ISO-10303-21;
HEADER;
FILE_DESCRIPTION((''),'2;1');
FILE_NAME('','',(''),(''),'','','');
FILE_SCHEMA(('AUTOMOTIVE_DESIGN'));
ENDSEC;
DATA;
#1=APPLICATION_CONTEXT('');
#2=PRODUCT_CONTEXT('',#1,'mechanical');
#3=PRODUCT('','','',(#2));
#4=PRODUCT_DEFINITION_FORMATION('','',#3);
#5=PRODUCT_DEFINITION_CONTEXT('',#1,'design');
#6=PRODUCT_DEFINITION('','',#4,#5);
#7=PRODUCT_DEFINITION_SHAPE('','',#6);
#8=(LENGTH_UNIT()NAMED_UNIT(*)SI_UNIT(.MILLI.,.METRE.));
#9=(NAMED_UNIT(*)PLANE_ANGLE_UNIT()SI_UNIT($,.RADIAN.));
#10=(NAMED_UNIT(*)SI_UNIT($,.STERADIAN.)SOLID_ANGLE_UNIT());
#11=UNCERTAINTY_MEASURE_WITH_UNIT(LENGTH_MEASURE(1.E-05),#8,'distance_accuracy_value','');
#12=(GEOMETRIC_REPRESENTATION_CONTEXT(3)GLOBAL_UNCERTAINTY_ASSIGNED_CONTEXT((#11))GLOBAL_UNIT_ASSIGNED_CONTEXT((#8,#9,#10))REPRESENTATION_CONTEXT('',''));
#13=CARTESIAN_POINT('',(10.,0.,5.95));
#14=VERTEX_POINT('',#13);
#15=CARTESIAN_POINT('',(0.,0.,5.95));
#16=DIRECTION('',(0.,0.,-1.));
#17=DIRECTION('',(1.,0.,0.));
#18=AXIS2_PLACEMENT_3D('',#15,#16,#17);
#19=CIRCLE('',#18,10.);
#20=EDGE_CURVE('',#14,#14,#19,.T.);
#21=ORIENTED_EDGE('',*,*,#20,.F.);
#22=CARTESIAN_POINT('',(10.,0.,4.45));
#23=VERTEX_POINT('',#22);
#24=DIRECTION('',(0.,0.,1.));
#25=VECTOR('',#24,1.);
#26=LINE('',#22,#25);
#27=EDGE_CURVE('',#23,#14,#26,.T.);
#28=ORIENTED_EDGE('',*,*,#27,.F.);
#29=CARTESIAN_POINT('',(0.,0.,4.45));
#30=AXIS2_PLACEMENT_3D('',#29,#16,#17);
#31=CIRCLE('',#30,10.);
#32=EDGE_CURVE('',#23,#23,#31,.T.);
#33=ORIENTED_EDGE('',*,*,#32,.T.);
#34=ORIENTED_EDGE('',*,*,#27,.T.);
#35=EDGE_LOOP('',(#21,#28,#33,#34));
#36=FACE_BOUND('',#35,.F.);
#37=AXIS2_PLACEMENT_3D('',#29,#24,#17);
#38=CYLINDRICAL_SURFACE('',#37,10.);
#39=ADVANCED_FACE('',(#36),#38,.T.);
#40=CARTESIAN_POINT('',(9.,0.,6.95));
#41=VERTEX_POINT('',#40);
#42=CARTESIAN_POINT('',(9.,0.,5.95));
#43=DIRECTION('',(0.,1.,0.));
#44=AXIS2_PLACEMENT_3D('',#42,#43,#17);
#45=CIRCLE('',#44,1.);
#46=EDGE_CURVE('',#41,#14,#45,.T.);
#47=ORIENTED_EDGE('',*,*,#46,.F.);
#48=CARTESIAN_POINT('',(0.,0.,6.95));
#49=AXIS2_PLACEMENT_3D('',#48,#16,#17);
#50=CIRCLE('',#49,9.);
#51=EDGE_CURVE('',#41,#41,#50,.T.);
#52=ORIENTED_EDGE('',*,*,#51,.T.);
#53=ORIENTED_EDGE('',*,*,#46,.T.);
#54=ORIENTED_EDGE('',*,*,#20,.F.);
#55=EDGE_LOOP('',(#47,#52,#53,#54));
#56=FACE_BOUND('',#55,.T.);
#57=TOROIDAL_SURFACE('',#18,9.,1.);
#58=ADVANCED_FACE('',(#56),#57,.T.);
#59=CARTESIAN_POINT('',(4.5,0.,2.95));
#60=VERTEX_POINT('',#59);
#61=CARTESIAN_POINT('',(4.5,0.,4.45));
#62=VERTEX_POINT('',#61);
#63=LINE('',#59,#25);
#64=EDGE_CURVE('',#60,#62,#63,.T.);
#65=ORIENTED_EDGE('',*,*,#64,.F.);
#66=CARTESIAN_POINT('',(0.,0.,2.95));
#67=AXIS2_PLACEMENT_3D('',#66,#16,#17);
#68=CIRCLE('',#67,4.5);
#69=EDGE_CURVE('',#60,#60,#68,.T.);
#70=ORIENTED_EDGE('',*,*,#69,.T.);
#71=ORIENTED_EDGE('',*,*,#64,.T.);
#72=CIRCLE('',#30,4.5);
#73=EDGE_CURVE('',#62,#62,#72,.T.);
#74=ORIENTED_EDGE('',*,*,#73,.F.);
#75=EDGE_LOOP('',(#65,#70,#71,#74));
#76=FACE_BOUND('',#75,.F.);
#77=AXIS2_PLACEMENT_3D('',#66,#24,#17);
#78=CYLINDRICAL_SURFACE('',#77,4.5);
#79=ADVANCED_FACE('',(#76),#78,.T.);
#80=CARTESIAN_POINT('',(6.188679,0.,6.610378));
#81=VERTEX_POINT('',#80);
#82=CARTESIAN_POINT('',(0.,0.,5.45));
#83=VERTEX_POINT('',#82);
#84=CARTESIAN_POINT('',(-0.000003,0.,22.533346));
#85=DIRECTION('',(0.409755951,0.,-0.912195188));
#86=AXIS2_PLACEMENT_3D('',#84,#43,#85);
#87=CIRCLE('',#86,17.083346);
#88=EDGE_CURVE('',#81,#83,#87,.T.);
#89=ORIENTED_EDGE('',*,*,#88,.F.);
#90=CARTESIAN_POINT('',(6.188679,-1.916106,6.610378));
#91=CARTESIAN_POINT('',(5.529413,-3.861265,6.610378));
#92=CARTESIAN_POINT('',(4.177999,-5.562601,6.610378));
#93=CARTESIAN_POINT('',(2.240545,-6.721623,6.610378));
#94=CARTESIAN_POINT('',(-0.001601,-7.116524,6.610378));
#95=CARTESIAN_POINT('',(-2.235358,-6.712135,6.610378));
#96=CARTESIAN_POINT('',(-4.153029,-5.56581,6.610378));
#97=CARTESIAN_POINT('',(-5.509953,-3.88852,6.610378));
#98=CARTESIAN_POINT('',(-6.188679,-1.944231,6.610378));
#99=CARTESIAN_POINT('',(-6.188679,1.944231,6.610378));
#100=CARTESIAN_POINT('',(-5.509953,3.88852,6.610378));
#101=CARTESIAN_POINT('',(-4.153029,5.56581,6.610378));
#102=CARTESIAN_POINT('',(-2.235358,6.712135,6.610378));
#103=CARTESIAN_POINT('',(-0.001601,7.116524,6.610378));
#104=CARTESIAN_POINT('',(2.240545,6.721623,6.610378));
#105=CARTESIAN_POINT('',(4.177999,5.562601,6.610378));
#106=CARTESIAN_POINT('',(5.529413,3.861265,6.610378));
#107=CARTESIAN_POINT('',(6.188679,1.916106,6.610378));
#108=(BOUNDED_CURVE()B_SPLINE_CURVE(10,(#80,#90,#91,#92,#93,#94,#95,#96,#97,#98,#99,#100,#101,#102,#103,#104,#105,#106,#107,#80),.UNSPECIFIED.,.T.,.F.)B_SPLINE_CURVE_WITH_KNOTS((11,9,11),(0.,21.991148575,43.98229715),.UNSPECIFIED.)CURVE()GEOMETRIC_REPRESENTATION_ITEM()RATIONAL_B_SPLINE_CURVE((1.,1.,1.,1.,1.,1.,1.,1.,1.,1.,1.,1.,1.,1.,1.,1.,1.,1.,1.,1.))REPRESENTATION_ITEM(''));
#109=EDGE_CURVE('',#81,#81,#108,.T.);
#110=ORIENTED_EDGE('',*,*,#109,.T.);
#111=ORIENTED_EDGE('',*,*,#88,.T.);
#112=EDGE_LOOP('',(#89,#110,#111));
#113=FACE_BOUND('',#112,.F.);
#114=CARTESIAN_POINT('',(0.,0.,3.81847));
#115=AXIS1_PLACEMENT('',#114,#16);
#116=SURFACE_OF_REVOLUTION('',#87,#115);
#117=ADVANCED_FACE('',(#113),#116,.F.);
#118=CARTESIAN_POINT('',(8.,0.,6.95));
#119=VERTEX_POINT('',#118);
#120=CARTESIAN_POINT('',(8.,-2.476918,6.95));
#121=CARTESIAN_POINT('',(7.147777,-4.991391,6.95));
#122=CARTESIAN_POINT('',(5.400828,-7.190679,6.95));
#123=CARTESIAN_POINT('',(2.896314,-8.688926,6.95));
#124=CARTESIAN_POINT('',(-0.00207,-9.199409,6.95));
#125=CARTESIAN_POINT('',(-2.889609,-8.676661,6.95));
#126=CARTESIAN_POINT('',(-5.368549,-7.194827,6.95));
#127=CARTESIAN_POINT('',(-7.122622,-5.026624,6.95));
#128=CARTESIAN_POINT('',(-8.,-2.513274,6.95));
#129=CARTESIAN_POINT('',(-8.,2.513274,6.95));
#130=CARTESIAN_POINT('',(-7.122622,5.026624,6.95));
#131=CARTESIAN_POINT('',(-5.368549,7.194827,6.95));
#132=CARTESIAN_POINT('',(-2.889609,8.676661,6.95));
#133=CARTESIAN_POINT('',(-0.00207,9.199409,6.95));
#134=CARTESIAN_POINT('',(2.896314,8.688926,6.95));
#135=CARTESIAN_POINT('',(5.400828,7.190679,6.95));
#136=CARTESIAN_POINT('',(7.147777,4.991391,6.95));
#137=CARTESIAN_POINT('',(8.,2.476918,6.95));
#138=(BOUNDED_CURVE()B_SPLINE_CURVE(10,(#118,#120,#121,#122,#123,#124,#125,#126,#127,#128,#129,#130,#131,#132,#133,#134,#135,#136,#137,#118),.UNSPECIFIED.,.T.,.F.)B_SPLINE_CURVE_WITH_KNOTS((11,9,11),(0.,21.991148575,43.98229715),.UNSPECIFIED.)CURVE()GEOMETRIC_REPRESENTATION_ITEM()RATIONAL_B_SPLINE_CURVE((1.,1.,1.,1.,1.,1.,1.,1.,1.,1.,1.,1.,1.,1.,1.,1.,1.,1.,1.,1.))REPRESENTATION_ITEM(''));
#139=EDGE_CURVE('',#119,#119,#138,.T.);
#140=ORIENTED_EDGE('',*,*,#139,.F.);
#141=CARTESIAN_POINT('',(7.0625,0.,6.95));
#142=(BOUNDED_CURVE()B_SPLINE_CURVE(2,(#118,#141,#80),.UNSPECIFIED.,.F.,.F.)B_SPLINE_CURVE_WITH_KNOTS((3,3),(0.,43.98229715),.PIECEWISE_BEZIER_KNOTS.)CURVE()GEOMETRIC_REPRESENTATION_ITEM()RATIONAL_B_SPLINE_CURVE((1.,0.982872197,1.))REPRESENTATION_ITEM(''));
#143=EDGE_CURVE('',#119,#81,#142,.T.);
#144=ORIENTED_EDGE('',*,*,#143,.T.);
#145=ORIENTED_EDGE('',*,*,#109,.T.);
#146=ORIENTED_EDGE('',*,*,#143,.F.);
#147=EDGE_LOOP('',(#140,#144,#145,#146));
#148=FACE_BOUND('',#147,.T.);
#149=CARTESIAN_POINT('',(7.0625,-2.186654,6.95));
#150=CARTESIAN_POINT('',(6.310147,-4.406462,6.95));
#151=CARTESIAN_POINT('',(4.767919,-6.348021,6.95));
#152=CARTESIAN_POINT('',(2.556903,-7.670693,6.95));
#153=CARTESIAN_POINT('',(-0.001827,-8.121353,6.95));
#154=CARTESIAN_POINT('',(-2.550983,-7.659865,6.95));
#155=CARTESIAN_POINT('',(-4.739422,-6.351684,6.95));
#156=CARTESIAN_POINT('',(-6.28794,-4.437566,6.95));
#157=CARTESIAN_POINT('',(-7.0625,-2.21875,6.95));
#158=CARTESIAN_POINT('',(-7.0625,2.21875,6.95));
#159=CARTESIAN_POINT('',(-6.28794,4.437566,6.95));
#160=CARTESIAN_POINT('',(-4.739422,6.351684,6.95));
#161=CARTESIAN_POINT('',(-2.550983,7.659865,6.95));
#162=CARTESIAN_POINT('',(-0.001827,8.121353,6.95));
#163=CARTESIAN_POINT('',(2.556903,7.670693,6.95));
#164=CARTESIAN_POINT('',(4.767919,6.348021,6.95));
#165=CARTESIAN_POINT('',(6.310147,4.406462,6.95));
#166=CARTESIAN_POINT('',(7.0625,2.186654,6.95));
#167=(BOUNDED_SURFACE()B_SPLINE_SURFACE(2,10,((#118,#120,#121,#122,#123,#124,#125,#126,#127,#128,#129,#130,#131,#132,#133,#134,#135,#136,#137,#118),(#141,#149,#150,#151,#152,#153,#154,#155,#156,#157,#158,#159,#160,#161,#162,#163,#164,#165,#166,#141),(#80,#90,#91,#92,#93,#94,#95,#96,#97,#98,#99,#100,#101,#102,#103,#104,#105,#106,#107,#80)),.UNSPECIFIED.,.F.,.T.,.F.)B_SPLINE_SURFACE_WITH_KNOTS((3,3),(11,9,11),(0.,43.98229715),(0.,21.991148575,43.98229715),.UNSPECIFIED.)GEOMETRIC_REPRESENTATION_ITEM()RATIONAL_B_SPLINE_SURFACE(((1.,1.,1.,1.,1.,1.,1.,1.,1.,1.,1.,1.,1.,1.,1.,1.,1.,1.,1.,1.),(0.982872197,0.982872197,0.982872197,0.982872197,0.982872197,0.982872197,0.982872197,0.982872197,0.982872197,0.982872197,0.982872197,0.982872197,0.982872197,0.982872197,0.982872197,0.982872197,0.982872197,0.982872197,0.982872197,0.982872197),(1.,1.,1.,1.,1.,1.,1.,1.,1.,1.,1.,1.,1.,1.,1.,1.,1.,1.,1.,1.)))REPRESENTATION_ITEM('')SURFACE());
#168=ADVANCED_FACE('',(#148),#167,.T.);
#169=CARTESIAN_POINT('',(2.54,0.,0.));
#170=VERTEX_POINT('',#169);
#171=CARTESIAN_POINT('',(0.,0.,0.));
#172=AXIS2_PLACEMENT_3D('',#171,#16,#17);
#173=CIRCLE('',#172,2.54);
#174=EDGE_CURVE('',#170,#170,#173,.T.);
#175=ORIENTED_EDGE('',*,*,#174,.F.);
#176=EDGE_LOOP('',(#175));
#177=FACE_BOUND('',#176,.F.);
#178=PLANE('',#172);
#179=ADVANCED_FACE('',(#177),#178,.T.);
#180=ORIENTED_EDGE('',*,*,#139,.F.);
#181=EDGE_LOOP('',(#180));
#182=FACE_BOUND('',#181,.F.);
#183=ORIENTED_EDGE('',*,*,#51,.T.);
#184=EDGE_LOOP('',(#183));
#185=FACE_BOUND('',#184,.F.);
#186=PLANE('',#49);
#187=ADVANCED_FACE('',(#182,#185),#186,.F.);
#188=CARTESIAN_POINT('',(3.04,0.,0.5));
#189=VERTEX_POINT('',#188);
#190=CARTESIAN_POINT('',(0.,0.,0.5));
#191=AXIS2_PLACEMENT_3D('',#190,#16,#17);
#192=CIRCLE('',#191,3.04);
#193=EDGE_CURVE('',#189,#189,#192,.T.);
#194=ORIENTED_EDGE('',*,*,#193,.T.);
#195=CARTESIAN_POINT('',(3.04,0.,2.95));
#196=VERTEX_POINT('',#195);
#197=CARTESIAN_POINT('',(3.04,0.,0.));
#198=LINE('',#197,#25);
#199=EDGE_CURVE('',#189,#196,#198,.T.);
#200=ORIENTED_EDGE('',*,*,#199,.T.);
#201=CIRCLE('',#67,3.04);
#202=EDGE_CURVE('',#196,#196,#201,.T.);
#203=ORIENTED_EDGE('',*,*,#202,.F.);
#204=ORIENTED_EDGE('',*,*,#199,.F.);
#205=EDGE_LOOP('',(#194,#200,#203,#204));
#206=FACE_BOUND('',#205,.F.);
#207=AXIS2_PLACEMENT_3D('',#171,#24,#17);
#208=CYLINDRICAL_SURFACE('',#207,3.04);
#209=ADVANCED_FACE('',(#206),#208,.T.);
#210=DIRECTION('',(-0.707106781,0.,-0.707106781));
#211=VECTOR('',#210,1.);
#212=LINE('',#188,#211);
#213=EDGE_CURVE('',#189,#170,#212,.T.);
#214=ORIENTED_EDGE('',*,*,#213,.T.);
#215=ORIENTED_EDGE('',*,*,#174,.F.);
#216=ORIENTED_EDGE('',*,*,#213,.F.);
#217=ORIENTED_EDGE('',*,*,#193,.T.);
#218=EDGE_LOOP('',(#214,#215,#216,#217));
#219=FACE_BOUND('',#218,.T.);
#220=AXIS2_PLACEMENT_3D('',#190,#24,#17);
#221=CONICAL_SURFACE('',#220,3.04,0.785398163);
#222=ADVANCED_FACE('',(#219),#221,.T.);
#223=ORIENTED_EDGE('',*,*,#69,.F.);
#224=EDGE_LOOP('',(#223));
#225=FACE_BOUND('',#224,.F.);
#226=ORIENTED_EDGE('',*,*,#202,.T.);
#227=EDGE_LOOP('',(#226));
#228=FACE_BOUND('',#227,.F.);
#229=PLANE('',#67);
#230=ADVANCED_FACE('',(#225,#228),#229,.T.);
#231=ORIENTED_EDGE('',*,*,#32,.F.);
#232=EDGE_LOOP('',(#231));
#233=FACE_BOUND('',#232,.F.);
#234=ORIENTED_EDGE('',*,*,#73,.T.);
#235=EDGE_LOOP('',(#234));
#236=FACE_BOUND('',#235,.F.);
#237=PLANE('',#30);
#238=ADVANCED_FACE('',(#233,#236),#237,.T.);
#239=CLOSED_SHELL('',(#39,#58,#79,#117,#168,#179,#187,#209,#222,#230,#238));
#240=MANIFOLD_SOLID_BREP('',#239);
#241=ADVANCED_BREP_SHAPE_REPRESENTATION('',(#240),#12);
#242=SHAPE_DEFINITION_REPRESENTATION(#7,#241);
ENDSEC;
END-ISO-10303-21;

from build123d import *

# Parameters (mm, degrees)
F2_R    = 5
F3_R    = 1
F4_SIZE = 0.5


with BuildPart() as f1:
    # F0 (on Front) → F1 (revolve)
    with BuildSketch(Plane.XZ):
        with BuildLine():
            Line((0, 5.45), (0, 0))
            Line((0, 0), (3.04, 0))
            Line((3.04, 0), (3.04, 2.95))
            Line((3.04, 2.95), (4.5, 2.95))
            Line((4.5, 2.95), (4.5, 4.45))
            Line((4.5, 4.45), (10, 4.45))
            Line((10, 4.45), (10, 6.95))
            Line((10, 6.95), (7, 6.95))
            ThreePointArc((7, 6.95), (3.579455, 5.829209), (0, 5.45))
        make_face()
    revolve(axis=Axis((0, 0, 3.81847), (0, 0, -1)))

    # F2
    f2_edges = [f1.edges().sort_by_distance(p)[0] for p in [
        (-7, 0, 6.95),
    ]]
    fillet(f2_edges, radius=F2_R)

    # F3
    f3_edges = [f1.edges().sort_by_distance(p)[0] for p in [
        (-10, 0, 6.95),
    ]]
    fillet(f3_edges, radius=F3_R)

    # F4
    f4_edges = [f1.edges().sort_by_distance(p)[0] for p in [
        (-3.04, 0, 0),
    ]]
    chamfer(f4_edges, length=F4_SIZE)


solid = f1.part
